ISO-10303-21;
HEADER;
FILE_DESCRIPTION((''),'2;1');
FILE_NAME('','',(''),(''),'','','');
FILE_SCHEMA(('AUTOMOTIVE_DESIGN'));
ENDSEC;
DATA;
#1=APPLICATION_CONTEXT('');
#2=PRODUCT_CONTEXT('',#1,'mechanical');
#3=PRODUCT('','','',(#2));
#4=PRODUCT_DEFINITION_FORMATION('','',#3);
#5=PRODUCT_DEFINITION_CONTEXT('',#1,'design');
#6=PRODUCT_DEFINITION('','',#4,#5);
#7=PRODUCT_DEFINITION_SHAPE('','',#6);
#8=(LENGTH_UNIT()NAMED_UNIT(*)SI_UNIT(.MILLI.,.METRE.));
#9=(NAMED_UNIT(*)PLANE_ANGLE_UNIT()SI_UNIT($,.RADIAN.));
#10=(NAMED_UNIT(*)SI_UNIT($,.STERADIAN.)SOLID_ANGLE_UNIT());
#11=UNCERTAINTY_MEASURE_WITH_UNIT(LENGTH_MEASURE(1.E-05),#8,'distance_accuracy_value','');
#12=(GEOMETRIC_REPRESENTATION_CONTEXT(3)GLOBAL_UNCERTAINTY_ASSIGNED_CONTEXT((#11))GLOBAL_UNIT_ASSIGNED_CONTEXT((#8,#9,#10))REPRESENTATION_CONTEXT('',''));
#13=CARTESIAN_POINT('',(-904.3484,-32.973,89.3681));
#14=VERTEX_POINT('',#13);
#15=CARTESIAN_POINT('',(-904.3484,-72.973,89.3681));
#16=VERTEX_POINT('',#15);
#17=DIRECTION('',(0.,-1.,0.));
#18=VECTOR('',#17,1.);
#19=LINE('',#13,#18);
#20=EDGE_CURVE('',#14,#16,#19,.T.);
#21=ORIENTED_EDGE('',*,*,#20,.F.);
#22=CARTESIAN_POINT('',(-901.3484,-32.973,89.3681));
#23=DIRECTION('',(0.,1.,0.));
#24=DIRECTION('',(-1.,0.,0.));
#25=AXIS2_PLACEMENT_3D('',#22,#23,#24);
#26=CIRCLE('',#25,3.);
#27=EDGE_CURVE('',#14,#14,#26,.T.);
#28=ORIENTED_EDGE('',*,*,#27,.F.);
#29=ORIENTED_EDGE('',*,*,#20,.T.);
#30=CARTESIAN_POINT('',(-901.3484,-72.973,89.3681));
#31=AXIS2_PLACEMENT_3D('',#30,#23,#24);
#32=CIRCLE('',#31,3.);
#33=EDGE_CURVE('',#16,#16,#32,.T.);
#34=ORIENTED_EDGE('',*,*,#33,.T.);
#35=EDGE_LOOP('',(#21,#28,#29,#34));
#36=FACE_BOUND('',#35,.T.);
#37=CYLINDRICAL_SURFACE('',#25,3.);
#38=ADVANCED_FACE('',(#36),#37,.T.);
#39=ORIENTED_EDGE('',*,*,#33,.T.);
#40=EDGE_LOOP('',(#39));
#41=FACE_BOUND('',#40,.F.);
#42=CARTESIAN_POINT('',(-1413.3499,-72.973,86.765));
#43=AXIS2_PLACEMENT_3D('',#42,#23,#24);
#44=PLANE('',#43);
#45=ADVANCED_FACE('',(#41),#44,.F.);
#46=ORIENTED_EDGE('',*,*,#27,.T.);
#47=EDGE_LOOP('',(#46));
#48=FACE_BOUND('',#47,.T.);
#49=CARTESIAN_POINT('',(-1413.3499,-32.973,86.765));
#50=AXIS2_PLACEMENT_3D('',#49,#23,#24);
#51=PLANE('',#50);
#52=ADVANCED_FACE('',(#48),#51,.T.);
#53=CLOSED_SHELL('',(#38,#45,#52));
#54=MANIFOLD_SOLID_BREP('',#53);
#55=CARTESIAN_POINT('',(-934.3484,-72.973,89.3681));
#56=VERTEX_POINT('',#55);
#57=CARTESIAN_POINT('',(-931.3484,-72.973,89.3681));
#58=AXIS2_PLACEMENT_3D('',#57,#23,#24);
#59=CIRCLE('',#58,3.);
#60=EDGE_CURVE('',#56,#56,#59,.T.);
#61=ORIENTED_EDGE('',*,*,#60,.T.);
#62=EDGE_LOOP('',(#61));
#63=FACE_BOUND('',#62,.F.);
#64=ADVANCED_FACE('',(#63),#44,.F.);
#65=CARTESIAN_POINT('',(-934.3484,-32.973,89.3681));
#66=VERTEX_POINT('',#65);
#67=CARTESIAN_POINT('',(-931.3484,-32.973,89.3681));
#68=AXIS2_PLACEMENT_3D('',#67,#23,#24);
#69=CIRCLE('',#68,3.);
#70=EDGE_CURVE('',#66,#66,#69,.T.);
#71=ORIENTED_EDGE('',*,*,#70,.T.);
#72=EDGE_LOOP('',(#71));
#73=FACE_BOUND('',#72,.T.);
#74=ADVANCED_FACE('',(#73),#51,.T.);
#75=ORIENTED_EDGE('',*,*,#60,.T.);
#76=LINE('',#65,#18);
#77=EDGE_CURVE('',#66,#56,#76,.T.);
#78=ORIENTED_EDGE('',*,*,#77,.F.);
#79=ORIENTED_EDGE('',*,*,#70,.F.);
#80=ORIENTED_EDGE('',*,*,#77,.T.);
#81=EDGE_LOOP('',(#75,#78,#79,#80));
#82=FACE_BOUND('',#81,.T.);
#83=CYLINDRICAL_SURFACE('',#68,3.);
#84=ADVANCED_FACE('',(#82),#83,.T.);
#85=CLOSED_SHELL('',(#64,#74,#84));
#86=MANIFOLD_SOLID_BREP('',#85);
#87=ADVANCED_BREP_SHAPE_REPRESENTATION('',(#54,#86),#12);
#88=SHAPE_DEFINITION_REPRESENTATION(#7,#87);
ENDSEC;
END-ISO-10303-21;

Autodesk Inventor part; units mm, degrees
ref_plane "YZ Plane" through (0, 0, 0) normal (1, 0, 0) x (0, 1, 0)
ref_plane "XZ Plane" through (0, 0, 0) normal (0, 1, 0) x (-1, 0, 0)
ref_plane "XY Plane" through (0, 0, 0) normal (0, 0, 1) x (1, 0, 0)
sketch "Sketch2" plane through (-1413.3499, -32.973, 86.765) normal (0, 1, 0) x (-1, 0, 0)
  circle A0 centre (-482.0015, 2.6031) radius 3
  circle A1 centre (-512.0015, 2.6031) radius 3
  point P0 (-1413.3499, -86.765)
  dimension "d11" = 6
  dimension "d12" = 6
extrude "Extrusion1" add sketch "Sketch2" against normal blind 40
properties part number "item_2019-08-21_Engineering_Project_Projekt_ID-1d05e1fc38aaeca349"
